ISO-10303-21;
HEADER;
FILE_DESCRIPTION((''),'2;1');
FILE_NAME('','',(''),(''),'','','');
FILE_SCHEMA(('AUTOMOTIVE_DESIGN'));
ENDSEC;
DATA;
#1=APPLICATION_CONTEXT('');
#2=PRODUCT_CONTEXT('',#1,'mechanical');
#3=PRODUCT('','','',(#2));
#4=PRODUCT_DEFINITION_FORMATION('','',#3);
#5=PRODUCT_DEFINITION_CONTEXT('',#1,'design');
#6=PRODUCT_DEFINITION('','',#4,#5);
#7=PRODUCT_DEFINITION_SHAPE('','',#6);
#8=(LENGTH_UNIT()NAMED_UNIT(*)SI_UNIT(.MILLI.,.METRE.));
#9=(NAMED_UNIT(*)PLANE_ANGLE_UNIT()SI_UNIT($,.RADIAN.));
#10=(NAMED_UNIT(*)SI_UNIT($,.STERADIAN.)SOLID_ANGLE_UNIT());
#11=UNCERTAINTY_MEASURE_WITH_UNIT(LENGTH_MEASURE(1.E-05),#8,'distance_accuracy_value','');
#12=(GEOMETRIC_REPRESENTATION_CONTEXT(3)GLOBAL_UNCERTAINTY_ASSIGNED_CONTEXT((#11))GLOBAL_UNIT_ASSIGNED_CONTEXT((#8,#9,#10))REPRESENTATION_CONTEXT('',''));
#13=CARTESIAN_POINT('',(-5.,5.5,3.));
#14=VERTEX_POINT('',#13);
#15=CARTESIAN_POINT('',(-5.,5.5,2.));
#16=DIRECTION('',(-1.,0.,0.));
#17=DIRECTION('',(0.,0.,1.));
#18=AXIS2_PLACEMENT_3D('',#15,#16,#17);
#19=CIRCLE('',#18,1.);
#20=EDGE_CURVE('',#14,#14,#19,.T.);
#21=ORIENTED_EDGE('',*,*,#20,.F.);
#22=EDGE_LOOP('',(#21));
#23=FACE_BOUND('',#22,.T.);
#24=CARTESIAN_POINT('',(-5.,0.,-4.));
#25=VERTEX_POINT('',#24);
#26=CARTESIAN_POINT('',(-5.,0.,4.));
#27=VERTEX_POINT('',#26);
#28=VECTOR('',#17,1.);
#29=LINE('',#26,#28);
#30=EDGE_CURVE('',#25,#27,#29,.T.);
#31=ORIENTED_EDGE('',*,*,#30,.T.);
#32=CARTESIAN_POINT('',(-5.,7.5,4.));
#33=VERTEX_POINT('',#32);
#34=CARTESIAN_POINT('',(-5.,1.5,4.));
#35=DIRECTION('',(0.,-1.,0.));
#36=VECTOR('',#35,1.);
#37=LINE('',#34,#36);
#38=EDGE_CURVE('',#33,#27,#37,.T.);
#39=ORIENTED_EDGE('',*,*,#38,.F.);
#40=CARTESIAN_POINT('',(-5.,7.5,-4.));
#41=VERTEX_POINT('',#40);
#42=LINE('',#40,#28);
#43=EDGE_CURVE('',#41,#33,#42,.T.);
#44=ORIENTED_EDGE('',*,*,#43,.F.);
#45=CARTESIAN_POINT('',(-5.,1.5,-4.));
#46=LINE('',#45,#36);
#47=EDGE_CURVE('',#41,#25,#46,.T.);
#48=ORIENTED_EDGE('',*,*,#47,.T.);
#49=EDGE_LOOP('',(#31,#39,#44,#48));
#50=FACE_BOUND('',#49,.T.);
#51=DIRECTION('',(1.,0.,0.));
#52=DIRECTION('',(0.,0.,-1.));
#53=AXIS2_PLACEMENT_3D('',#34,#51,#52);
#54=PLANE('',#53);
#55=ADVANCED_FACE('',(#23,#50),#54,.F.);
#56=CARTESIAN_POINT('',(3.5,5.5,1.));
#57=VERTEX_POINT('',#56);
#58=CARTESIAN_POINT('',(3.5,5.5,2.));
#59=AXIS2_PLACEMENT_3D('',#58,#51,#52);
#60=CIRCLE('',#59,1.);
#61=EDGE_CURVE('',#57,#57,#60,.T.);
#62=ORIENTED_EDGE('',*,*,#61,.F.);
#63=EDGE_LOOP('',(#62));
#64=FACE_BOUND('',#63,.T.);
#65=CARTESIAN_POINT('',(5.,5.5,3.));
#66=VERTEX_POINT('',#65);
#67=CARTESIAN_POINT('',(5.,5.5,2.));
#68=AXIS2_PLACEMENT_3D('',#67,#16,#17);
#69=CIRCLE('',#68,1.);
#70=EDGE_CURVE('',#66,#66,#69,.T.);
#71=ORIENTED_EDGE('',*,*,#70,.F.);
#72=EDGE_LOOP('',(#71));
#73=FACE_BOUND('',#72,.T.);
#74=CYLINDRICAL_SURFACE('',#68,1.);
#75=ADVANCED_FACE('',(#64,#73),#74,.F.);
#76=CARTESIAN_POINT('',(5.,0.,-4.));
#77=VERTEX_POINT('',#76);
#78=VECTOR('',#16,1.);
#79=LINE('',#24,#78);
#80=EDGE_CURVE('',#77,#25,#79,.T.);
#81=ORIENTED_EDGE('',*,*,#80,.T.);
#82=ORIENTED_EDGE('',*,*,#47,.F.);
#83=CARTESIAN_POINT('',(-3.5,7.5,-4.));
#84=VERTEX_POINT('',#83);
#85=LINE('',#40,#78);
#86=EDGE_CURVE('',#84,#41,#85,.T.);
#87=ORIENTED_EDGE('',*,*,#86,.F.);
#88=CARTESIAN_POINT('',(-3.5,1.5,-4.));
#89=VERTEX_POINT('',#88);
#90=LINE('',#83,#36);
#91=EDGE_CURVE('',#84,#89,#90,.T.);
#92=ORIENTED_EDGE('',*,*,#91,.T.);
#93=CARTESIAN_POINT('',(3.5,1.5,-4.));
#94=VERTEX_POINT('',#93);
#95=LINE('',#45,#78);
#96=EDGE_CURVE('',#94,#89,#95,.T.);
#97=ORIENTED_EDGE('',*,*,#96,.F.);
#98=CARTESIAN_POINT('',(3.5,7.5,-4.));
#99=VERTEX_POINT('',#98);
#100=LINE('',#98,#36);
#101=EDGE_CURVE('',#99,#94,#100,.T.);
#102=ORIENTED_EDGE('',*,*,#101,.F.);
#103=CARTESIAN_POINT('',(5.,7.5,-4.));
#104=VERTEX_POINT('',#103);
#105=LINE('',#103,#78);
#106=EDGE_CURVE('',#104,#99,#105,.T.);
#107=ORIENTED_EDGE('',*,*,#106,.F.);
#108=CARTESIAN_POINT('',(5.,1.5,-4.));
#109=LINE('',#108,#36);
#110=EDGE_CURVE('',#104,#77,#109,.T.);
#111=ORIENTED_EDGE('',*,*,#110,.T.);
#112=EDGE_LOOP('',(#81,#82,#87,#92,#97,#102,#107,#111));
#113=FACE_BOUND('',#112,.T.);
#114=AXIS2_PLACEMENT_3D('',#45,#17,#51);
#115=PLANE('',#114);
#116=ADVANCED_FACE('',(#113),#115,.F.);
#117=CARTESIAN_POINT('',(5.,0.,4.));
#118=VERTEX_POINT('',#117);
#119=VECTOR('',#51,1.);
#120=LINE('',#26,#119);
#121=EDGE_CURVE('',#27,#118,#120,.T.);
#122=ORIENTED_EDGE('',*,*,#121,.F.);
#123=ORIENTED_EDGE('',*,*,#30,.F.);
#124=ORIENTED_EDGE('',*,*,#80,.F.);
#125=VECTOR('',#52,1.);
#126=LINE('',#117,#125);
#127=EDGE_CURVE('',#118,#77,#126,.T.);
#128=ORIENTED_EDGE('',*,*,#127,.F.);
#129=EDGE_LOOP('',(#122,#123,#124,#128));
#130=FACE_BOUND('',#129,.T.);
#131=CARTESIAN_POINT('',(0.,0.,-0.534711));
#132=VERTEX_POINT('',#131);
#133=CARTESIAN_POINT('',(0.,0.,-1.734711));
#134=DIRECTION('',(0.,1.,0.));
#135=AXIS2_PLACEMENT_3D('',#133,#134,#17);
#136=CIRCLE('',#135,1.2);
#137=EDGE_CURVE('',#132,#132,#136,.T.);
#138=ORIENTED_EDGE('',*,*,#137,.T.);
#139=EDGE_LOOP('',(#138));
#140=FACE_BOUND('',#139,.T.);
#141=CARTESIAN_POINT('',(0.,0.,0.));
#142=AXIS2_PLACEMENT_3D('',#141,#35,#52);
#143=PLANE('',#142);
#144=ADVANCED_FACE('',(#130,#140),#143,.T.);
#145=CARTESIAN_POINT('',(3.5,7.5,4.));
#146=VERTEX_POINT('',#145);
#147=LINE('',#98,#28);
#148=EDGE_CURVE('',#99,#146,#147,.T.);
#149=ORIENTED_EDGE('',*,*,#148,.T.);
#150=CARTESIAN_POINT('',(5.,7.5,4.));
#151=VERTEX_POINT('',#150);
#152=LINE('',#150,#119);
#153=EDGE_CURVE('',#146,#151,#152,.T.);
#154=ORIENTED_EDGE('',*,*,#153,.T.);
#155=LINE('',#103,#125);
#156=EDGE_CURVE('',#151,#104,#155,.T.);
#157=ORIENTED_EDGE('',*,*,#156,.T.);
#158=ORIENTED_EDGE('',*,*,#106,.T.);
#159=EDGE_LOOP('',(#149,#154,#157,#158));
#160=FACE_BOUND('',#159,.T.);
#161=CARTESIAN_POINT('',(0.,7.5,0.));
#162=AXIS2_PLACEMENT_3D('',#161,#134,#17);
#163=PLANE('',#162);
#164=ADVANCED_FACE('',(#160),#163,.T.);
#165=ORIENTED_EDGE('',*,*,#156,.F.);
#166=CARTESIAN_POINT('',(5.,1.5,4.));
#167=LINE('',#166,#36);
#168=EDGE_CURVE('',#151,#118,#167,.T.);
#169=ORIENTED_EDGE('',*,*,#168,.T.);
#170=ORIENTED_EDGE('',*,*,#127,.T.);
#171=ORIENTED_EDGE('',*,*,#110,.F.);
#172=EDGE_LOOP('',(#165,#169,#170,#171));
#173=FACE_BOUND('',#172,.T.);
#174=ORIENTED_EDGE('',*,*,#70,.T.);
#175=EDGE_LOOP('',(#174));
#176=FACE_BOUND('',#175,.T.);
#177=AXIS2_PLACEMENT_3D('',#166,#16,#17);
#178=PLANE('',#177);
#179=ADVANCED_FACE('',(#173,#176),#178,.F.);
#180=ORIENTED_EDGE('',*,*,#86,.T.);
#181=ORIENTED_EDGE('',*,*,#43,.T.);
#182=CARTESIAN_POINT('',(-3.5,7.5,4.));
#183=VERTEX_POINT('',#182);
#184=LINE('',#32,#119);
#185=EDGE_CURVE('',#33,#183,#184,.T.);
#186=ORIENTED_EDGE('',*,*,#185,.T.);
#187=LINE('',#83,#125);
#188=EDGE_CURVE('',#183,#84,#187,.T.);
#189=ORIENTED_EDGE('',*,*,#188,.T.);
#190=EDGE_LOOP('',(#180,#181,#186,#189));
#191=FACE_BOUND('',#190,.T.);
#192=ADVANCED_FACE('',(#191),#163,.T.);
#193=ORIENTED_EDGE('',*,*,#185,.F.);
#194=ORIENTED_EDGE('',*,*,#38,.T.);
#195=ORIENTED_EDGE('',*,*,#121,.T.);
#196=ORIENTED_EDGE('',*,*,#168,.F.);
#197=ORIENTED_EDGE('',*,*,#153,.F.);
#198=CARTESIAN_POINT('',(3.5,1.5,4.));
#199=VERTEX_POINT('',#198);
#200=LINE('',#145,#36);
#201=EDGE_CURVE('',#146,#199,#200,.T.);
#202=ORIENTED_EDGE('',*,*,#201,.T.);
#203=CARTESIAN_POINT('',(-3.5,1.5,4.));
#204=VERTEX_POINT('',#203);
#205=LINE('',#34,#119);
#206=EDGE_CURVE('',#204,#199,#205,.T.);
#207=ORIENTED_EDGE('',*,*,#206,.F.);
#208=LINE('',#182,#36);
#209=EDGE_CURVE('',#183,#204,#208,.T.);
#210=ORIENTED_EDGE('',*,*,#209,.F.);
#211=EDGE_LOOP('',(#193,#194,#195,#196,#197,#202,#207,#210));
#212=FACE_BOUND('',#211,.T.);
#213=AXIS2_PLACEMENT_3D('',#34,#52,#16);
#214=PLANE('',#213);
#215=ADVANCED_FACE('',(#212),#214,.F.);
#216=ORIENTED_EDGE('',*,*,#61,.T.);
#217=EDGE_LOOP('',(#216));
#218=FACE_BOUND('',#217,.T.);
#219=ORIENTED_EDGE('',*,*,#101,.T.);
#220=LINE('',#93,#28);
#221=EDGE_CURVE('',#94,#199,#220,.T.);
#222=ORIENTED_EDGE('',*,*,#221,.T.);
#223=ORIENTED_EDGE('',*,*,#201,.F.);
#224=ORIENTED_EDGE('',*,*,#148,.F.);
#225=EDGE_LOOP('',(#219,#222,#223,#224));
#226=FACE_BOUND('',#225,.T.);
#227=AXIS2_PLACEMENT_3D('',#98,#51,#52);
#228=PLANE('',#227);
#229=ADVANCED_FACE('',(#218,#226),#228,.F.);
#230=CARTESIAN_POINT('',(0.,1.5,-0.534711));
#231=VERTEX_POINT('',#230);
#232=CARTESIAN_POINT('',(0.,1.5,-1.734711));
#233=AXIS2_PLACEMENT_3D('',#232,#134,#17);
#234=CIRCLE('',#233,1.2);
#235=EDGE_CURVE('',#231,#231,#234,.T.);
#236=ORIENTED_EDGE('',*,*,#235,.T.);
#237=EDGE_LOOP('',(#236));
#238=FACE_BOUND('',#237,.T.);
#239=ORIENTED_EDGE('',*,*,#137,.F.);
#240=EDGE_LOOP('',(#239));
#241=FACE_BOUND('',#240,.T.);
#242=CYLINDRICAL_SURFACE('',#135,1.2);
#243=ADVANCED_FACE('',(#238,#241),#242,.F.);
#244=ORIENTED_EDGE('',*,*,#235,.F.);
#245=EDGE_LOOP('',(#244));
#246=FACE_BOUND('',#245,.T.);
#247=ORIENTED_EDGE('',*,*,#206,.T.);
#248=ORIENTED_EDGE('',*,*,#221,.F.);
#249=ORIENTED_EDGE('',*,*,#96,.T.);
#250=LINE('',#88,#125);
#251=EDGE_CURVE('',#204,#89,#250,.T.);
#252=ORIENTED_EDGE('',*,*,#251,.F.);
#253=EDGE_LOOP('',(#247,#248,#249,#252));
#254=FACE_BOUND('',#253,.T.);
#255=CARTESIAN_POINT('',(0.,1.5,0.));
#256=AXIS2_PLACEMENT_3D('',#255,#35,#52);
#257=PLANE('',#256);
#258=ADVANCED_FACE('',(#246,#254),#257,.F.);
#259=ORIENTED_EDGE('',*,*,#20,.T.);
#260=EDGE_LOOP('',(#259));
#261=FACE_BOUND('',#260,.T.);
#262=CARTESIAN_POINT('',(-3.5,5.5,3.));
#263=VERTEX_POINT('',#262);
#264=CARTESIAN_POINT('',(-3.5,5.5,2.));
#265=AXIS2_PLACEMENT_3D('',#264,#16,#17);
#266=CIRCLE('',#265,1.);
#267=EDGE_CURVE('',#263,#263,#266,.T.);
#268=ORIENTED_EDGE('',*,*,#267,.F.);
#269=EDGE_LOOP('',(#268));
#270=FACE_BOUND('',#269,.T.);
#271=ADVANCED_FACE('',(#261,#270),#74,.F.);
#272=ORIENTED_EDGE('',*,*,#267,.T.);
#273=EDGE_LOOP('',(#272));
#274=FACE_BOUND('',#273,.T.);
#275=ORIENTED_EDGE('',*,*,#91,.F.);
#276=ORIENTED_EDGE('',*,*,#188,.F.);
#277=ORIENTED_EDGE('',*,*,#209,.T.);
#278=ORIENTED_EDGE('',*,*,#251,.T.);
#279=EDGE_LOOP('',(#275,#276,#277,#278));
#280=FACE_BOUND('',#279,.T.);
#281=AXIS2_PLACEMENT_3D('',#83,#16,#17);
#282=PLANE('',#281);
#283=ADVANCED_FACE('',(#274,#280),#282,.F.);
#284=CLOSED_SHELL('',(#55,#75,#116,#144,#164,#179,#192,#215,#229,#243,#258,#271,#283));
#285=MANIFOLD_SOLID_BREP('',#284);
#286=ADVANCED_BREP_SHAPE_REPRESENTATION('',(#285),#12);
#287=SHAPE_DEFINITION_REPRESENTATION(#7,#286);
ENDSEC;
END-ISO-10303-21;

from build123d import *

# Parameters (mm, degrees)
SKETCH1_W           = 10
SKETCH1_H           = 8
BOSS_EXTRUDE1_DEPTH = 1.5
SKETCH3_W           = 1.5
SKETCH3_H           = 8
BOSS_EXTRUDE2_DEPTH = 6
SKETCH4_R           = 1.2
CUT_EXTRUDE1_DEPTH  = 9.774964387
SKETCH5_R           = 1
CUT_EXTRUDE2_DEPTH  = 14.124404748


with BuildPart() as part:
    # Sketch1 → Boss-Extrude1 (new body)
    with BuildSketch(Plane(origin=(0, 0, 0), x_dir=(1, 0, 0), z_dir=(0, 1, 0))):
        Rectangle(SKETCH1_W, SKETCH1_H)
    extrude(amount=BOSS_EXTRUDE1_DEPTH)

    # Sketch3 → Boss-Extrude2 (add)
    with BuildSketch(Plane(origin=(0, 1.5, 0), x_dir=(1, 0, 0), z_dir=(0, 1, 0))):
        with Locations((-4.25, 0)):
            Rectangle(SKETCH3_W, SKETCH3_H)
        with Locations((4.25, 0)):
            Rectangle(SKETCH3_W, SKETCH3_H)
    extrude(amount=BOSS_EXTRUDE2_DEPTH)

    # Sketch4 → Cut-Extrude1 (cut, through all)
    with BuildSketch(Plane(origin=(0, 1.5, 0), x_dir=(1, 0, 0), z_dir=(0, 1, 0))):
        with Locations(Location((0, 1.734711092, 0), (0, 0, 270))):
            Circle(SKETCH4_R)
    extrude(amount=-CUT_EXTRUDE1_DEPTH, mode=Mode.SUBTRACT)

    # Sketch5 → Cut-Extrude2 (cut, through all)
    with BuildSketch(Plane.ZY.offset(5)):
        with Locations((2, 5.5)):
            Circle(SKETCH5_R)
    extrude(amount=-CUT_EXTRUDE2_DEPTH, mode=Mode.SUBTRACT)


solid = part.part
